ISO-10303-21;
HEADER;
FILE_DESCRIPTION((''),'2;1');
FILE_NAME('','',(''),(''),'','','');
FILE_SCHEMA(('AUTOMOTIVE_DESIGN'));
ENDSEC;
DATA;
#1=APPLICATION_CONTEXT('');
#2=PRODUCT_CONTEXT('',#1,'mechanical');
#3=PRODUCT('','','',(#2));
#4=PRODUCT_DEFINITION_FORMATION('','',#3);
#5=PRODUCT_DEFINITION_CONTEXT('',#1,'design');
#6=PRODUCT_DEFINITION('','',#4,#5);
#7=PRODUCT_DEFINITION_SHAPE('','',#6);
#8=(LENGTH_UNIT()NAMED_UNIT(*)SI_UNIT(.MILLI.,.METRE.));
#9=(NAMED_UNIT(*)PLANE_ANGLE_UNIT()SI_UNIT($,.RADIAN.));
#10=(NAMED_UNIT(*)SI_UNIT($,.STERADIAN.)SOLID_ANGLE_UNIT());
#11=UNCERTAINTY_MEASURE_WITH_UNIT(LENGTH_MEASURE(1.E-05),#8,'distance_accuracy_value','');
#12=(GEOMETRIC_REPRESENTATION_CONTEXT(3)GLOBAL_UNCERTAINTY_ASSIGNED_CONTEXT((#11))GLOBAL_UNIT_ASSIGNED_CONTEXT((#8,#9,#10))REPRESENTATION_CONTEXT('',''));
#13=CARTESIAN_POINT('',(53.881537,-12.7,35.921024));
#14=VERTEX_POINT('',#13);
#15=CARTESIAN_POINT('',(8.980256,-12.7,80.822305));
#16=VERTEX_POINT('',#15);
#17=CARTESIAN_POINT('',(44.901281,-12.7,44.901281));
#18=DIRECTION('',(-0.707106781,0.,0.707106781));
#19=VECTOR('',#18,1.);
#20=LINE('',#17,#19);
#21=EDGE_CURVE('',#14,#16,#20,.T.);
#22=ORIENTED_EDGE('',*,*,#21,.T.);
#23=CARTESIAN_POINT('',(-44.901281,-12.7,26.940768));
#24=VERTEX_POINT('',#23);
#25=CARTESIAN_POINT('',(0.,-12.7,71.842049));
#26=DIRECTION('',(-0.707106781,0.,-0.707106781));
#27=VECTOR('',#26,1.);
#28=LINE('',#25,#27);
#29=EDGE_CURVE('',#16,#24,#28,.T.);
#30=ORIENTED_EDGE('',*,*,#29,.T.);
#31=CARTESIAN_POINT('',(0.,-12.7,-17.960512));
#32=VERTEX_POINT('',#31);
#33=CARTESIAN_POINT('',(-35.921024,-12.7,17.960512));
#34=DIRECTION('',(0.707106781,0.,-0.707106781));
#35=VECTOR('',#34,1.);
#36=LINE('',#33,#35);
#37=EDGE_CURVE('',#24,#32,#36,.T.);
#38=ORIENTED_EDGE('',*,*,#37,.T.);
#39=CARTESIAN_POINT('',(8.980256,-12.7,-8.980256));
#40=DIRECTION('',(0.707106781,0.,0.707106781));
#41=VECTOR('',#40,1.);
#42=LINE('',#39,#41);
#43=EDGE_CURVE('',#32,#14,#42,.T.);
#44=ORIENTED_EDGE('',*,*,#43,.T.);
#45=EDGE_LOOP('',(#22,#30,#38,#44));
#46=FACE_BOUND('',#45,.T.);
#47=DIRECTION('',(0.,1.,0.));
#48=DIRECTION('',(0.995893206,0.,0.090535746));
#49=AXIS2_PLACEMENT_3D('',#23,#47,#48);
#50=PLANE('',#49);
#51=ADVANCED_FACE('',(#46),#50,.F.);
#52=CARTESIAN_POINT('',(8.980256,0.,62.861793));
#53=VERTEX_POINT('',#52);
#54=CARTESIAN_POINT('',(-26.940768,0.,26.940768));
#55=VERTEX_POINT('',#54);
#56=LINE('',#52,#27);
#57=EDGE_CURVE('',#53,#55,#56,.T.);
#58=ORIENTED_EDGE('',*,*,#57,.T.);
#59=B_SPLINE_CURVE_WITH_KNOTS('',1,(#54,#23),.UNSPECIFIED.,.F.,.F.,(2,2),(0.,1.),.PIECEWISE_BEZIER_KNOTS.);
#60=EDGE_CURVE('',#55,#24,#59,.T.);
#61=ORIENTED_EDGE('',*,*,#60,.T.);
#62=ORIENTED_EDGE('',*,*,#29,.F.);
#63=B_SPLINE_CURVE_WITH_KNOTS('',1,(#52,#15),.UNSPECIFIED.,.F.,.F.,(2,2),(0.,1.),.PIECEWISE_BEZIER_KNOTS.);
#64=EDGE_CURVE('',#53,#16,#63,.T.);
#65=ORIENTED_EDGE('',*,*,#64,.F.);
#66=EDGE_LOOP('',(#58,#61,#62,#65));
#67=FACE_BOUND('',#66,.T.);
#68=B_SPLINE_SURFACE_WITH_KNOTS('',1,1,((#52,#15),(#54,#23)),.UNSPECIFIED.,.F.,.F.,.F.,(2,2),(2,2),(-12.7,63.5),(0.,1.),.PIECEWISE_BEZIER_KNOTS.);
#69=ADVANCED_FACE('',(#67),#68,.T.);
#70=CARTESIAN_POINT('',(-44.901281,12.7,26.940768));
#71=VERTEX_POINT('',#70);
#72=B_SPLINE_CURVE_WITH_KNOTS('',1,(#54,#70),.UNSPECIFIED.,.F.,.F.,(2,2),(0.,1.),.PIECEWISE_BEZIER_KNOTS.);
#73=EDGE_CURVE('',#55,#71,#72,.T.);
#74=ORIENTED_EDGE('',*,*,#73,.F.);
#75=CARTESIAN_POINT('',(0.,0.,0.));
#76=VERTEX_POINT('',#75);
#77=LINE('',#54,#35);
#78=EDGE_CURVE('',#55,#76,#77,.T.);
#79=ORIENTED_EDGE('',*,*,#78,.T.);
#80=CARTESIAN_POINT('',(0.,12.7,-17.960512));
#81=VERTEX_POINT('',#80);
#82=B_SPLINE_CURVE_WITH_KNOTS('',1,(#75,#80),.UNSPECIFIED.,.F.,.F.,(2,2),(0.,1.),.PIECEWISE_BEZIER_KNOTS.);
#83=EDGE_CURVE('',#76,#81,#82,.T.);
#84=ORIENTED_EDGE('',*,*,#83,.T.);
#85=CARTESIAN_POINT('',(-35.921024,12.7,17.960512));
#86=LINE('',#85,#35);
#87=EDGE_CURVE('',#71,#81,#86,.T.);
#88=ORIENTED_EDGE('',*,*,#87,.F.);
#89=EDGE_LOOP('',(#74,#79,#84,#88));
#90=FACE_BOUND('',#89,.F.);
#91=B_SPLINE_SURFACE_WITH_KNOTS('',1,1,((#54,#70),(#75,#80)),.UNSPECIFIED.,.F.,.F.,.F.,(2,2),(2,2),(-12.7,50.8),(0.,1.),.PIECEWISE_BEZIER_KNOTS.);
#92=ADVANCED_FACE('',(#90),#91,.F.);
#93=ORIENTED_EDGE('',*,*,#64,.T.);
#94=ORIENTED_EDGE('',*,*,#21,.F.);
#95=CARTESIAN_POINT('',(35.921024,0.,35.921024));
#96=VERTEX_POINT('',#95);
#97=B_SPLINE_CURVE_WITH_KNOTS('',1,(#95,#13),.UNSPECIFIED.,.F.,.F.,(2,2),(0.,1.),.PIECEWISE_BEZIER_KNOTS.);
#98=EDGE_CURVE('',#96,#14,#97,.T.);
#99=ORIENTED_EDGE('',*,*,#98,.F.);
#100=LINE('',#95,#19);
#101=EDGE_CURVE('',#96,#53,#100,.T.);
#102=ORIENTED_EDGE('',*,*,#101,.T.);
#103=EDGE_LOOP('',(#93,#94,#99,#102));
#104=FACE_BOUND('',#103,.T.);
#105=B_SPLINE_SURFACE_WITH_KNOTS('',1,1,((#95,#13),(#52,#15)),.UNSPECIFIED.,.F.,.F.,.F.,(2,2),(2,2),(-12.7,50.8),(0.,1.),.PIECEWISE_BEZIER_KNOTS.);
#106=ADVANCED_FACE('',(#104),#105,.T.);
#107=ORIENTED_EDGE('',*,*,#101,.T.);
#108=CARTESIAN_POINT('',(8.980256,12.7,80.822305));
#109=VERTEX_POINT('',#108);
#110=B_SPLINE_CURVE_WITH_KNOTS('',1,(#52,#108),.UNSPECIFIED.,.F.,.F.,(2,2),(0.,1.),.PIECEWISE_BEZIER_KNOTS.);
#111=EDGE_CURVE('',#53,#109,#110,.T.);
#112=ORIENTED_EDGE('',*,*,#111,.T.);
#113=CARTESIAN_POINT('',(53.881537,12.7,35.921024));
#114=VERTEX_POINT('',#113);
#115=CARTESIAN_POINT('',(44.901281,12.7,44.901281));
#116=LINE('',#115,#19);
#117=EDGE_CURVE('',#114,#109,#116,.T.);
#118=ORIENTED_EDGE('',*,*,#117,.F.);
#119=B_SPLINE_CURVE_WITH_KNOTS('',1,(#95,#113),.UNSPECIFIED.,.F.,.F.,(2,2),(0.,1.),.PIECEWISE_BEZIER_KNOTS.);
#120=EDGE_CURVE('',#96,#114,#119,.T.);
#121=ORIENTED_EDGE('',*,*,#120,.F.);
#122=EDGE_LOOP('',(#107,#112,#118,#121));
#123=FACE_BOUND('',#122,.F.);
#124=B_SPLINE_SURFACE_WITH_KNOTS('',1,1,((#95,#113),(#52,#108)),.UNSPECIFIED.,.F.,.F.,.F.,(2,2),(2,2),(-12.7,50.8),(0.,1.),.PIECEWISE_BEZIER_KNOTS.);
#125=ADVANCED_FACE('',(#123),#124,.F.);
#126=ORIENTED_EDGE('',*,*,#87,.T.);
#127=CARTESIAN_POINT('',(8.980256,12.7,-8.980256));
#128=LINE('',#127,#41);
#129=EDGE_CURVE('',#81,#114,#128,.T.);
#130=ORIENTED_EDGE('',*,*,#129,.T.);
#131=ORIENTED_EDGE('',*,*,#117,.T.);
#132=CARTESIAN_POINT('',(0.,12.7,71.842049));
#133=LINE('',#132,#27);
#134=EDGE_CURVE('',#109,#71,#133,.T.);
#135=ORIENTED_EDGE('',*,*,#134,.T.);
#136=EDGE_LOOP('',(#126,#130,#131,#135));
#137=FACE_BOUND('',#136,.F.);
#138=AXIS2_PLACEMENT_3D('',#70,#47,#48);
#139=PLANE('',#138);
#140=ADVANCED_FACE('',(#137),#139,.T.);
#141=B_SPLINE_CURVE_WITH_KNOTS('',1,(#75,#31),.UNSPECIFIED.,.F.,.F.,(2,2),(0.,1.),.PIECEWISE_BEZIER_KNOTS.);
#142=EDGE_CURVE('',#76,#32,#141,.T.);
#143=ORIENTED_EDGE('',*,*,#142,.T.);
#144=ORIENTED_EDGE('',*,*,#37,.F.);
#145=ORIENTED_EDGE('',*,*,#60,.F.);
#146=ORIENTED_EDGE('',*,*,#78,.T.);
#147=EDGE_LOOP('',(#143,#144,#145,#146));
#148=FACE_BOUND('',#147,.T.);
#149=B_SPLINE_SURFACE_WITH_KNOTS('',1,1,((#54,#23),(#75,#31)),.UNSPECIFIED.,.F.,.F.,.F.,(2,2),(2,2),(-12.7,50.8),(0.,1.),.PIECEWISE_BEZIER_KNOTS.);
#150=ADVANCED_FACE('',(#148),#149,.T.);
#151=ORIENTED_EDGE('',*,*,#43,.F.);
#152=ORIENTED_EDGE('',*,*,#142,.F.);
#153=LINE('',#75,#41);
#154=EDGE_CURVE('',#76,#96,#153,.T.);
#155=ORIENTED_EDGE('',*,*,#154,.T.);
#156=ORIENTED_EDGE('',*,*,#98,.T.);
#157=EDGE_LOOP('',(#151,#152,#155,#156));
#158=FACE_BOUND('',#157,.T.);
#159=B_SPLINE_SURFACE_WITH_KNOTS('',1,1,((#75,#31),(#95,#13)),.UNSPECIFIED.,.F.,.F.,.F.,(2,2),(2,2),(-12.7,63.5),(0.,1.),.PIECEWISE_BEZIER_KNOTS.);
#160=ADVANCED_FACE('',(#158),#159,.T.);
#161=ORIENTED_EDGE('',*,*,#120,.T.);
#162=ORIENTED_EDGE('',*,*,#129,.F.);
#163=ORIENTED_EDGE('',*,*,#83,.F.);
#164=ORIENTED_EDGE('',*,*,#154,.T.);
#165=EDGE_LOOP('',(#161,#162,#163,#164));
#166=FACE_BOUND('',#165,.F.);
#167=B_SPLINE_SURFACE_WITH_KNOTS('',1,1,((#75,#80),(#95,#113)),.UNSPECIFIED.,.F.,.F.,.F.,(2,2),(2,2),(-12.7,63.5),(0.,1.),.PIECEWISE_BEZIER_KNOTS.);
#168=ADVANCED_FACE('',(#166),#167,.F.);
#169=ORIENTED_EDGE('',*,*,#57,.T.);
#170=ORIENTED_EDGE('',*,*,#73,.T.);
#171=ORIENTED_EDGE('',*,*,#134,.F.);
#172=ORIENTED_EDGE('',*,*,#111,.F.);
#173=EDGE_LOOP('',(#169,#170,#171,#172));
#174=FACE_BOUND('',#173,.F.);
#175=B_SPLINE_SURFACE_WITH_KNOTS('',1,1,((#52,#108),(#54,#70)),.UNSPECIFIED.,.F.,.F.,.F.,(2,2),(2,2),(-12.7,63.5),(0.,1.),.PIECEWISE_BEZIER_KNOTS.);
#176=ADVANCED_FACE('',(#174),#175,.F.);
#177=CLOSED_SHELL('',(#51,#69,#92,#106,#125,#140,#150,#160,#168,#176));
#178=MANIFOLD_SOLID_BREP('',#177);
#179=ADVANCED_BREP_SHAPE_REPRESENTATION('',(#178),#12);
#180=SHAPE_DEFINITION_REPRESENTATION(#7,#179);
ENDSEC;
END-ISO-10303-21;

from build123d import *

# Parameters (mm, degrees)
F1_DEPTH = 12.7
F1_TAPER = -45


with BuildPart() as f1:
    # F0 (on Front) → F1 (new body, symmetric)
    with BuildSketch(Plane.XZ):
        Polygon((-26.9407683632, 26.9407683632), (0, 0), (35.9210244843, 35.9210244843), (8.9802561211, 62.8617928475), align=None)
    extrude(amount=F1_DEPTH, both=True, taper=F1_TAPER)


solid = f1.part
